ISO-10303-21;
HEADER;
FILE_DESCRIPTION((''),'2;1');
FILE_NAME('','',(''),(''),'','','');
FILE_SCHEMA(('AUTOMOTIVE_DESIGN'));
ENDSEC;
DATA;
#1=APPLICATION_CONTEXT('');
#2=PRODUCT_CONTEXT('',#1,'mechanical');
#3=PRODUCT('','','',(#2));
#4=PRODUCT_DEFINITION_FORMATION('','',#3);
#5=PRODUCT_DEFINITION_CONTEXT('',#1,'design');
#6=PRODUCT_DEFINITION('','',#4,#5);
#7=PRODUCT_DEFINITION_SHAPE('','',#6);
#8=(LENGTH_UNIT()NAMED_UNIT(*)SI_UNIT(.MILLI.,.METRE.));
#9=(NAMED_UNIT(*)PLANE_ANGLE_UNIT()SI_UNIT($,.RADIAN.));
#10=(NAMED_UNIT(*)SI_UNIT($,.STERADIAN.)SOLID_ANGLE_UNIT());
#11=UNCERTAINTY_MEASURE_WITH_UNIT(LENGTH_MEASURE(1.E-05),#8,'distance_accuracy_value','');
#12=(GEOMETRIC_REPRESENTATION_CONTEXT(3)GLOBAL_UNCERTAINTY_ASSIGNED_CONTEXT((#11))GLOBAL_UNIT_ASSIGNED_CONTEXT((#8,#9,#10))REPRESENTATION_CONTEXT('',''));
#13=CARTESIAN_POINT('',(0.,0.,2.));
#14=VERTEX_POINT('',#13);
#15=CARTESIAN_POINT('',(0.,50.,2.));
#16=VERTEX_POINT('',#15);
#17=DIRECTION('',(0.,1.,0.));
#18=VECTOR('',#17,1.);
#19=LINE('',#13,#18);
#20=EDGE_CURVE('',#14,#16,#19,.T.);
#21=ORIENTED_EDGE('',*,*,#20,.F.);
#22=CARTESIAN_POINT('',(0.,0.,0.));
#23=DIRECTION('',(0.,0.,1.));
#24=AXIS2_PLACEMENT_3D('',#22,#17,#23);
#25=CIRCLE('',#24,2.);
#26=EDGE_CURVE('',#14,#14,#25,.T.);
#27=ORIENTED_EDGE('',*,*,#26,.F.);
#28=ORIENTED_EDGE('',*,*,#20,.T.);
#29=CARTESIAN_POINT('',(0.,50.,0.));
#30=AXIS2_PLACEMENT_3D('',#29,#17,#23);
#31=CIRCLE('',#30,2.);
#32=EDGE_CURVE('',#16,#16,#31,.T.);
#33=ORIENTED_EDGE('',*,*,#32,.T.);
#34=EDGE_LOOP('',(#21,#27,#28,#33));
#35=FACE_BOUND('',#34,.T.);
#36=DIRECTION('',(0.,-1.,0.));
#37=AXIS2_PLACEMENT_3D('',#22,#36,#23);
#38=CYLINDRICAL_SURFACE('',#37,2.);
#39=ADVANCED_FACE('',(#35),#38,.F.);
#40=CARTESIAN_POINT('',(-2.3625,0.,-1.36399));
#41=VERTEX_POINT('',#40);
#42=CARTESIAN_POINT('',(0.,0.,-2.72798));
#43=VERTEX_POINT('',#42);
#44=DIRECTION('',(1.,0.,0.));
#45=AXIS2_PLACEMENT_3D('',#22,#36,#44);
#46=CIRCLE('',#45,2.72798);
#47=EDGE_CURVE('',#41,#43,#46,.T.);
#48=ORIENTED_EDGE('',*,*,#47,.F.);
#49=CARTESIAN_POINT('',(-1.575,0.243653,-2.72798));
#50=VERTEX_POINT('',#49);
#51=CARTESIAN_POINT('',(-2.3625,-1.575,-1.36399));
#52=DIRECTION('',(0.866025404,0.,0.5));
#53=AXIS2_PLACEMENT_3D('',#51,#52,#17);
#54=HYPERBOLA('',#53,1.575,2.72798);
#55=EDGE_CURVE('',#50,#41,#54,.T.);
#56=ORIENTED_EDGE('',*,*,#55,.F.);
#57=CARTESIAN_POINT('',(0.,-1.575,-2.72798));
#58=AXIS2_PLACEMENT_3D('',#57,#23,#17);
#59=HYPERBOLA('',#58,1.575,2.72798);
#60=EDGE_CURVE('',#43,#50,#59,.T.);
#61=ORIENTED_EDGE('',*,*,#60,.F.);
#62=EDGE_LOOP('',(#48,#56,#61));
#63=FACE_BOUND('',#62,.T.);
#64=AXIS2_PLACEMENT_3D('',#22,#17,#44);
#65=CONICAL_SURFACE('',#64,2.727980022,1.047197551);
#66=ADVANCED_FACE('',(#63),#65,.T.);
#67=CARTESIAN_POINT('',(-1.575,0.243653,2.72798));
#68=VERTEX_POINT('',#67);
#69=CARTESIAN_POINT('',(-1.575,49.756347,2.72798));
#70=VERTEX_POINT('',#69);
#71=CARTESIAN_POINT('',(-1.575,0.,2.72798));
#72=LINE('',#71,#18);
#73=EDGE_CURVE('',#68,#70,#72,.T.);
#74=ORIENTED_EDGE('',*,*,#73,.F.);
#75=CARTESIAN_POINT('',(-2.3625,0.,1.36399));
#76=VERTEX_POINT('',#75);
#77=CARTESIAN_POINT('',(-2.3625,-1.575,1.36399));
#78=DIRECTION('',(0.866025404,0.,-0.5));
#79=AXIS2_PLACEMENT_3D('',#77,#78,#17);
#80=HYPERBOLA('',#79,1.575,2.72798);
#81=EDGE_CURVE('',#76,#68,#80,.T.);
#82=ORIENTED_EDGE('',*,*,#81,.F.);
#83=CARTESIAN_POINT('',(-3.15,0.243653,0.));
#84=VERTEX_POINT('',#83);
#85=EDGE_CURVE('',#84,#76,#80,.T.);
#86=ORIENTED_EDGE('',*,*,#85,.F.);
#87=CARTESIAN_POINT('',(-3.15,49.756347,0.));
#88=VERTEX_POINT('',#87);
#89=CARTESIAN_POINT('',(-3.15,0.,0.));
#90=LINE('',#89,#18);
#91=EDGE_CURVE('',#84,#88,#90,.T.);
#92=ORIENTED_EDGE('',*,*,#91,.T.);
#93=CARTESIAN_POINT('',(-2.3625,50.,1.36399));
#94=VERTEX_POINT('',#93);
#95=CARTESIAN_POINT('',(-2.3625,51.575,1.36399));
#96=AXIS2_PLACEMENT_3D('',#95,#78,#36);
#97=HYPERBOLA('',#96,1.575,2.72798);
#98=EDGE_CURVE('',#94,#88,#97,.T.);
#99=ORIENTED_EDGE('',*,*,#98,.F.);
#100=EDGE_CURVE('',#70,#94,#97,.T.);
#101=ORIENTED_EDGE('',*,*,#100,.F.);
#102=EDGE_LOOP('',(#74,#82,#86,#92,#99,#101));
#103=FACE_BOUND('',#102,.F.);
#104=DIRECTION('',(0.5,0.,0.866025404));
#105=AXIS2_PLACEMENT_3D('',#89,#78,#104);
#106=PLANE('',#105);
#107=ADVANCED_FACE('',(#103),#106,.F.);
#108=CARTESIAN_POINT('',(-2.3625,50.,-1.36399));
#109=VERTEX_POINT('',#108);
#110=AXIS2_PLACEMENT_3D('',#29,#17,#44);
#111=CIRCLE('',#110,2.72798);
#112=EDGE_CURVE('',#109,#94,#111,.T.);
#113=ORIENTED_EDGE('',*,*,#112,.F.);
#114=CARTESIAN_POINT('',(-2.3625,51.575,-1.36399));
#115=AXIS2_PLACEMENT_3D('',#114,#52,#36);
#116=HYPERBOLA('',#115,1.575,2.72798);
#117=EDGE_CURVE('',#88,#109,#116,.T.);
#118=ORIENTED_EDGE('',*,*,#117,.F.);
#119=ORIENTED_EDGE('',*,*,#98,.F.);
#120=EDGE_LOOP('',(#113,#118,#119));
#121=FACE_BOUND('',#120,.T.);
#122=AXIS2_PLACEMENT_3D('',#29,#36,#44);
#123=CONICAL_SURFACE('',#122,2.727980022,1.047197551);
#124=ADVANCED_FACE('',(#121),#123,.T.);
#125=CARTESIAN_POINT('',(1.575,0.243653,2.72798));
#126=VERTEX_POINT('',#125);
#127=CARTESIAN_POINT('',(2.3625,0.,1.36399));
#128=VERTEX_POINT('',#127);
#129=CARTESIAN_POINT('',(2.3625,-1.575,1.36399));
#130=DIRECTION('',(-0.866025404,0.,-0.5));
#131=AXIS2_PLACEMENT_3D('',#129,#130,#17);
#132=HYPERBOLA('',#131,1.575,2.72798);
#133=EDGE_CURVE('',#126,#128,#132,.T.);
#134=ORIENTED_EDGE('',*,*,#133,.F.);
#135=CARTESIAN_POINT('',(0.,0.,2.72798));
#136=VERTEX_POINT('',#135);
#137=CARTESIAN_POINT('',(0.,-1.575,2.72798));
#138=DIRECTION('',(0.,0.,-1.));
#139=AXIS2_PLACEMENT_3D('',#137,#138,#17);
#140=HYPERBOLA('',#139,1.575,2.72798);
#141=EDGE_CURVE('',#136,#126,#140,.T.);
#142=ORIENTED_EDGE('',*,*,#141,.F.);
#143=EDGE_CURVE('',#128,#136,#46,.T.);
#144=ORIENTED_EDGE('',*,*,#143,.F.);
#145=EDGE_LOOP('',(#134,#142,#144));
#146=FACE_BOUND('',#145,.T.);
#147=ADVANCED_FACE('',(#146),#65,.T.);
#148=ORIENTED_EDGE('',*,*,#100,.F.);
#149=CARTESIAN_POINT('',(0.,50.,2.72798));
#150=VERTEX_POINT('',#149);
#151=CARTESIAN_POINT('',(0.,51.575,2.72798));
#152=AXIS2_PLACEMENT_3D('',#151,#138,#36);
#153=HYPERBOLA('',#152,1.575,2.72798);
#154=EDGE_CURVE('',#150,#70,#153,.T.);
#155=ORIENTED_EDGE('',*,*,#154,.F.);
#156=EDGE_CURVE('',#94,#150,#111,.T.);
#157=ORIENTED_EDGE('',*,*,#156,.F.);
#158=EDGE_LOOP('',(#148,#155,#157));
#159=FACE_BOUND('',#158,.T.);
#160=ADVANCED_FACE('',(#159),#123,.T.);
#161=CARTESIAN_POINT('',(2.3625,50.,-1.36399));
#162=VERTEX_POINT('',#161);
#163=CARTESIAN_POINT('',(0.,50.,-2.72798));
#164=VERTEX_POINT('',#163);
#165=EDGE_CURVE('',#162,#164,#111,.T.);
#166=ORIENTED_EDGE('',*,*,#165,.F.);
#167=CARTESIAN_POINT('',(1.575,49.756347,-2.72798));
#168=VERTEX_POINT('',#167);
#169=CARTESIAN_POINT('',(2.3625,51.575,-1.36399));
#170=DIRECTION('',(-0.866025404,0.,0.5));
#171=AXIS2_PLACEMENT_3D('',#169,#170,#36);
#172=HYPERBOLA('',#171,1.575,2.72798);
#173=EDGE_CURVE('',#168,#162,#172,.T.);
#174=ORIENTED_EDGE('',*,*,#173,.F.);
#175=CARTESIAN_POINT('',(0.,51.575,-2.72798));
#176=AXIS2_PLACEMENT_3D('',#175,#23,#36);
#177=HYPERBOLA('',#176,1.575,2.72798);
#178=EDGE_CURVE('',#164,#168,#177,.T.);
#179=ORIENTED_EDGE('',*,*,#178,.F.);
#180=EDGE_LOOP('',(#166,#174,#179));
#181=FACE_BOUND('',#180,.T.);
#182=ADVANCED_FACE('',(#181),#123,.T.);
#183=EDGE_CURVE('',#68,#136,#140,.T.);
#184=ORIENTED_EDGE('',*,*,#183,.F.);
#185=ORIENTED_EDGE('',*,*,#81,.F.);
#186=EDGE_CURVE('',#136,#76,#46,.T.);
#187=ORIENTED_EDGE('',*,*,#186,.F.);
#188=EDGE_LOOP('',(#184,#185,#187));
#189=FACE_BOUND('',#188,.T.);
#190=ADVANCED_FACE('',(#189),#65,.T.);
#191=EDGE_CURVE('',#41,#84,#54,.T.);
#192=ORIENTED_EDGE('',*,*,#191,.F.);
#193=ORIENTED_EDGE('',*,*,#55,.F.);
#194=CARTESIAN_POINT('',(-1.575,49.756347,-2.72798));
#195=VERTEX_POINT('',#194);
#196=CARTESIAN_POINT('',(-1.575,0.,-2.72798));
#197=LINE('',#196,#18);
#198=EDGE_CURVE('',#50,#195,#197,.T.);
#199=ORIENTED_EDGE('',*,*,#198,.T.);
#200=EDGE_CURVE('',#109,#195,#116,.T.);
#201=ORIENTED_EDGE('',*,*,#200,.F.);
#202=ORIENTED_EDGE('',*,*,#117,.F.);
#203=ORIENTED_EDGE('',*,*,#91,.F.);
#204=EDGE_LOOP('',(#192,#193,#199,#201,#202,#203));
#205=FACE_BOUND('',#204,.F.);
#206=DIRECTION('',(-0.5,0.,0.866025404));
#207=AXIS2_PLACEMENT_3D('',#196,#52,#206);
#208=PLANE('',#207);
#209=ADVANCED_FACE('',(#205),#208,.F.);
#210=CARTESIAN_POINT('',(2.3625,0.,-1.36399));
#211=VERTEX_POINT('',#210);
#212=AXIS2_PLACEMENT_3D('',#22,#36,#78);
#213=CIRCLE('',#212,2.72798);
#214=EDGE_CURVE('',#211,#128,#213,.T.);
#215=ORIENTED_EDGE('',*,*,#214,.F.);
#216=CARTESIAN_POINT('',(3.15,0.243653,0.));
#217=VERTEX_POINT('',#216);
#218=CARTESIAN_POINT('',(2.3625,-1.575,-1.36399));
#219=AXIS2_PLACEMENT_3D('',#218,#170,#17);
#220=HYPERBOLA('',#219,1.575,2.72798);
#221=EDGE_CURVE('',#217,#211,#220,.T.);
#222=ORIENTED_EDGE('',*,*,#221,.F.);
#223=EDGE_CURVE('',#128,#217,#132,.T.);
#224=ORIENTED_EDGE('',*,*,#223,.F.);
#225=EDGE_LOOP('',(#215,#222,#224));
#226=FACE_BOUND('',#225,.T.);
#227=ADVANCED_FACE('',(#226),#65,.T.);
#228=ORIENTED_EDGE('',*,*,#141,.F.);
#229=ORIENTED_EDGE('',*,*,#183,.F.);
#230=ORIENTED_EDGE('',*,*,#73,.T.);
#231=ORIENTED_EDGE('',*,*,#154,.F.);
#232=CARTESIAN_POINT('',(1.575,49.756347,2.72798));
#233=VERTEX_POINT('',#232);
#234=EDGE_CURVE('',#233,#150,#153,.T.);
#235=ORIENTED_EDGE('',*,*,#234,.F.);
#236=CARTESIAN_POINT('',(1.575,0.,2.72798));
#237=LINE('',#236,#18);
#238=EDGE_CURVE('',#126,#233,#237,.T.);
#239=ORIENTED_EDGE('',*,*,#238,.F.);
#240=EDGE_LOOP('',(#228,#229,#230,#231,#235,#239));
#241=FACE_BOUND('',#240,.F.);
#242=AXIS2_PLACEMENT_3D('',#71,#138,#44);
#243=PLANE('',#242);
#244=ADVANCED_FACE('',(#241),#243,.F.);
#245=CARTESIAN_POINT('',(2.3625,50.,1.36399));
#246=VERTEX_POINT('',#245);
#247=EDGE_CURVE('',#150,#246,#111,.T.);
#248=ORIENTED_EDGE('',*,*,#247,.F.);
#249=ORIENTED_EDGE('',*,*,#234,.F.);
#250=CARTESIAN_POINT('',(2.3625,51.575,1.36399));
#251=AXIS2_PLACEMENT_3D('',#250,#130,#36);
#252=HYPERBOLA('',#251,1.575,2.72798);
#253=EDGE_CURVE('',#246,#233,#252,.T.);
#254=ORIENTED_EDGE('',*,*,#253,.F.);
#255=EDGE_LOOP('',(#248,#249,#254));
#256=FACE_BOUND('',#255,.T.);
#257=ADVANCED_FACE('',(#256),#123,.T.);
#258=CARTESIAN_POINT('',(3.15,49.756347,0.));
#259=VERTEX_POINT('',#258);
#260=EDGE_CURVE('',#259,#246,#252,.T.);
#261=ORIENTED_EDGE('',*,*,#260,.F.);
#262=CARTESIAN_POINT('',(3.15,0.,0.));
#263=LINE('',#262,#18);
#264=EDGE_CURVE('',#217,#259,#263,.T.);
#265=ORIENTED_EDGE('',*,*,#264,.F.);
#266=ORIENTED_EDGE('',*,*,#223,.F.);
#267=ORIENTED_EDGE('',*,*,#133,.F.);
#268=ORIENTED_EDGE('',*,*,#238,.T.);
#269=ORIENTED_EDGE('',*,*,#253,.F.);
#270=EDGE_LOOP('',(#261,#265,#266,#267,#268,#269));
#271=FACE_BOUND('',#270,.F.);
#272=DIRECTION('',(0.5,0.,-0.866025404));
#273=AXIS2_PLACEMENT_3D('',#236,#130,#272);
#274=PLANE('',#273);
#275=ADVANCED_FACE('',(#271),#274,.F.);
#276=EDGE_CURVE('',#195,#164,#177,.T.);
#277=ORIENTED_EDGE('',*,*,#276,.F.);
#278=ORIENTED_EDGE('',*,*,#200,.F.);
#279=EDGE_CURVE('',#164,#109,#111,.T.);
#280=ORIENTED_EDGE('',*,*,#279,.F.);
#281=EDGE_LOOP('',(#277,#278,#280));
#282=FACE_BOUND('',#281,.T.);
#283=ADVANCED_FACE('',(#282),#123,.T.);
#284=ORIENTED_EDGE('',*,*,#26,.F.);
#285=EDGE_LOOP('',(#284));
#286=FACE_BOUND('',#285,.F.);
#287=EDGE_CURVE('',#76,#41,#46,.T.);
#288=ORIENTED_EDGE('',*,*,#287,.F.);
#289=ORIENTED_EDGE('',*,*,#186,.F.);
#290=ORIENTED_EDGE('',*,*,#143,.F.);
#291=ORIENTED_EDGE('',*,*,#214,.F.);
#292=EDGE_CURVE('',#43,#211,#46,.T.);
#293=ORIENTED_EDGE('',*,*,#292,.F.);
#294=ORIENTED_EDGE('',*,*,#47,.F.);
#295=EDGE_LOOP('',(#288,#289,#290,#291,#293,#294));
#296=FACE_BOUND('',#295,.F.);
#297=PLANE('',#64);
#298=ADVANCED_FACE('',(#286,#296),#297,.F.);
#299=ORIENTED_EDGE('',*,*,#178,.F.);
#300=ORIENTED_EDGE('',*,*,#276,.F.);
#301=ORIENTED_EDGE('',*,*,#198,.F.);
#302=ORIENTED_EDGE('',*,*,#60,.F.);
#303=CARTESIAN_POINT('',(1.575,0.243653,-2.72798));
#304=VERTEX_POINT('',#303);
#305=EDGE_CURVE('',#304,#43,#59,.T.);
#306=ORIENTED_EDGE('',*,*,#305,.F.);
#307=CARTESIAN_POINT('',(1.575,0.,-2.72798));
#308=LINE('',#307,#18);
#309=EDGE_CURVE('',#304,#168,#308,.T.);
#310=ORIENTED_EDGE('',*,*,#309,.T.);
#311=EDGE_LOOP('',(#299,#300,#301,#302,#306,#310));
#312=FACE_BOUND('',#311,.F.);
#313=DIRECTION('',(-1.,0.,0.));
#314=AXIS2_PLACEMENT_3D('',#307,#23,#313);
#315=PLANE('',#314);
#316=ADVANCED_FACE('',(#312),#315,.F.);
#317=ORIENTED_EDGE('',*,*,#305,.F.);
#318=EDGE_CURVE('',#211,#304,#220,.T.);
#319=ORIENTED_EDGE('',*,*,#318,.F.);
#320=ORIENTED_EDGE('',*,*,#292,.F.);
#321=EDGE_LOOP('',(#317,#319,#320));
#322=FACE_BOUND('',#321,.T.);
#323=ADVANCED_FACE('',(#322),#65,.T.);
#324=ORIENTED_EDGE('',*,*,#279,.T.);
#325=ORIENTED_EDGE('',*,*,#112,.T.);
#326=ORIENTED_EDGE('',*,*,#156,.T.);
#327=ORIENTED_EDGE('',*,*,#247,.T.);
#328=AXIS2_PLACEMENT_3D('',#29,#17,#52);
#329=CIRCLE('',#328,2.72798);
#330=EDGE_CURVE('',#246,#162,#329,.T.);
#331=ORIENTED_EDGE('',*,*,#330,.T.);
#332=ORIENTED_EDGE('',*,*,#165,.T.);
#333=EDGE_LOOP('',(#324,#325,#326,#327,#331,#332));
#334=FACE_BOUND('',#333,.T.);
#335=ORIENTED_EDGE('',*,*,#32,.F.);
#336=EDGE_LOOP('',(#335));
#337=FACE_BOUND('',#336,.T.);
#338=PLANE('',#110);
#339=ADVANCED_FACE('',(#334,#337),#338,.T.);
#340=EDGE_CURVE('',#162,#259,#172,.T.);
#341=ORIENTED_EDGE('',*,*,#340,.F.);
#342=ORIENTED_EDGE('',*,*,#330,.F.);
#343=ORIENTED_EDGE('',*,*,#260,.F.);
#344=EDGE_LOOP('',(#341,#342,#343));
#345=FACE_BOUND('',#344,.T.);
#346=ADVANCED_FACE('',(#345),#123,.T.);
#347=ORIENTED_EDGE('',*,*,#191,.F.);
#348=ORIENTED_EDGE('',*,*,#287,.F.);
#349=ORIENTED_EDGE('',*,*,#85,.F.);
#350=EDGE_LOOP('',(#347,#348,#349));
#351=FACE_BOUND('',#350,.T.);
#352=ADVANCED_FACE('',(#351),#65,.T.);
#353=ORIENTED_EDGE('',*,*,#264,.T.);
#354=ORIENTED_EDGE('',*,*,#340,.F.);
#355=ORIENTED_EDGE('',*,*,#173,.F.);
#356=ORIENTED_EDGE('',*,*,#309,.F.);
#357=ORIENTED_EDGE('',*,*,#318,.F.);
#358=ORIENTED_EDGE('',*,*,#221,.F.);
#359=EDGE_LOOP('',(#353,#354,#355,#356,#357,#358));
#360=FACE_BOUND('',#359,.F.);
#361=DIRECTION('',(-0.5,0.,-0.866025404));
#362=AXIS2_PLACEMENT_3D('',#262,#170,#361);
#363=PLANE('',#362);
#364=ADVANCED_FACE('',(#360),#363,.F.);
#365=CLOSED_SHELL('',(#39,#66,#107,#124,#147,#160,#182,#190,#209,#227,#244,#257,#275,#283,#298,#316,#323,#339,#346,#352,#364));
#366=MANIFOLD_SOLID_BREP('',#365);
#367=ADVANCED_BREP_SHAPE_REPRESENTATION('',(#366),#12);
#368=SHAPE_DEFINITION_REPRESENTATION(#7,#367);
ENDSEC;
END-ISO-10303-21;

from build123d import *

# Parameters (mm, degrees)
SKETCH_1_R          = 2
EXTRUDE_1_DEPTH     = 50
SKETCH_2_OUTSIDE_W  = 195.708
SKETCH_2_OUTSIDE_H  = 194.864
SKETCH_2_OUTSIDE_R  = 2.727980022
CUT_EXTRUDE_1_DEPTH = 51.173343271
CUT_EXTRUDE_1_DRAFT = -60
SKETCH_3_OUTSIDE_W  = 195.708
SKETCH_3_OUTSIDE_H  = 194.864
SKETCH_3_OUTSIDE_R  = 2.727980022
CUT_EXTRUDE_2_DEPTH = 51.173343271
CUT_EXTRUDE_2_DRAFT = -60


with BuildPart() as part:
    # 草图1 → 凸台-拉伸1 (new body)
    with BuildSketch(Plane(origin=(0, 0, 0), x_dir=(1, 0, 0), z_dir=(0, 1, 0))):
        Polygon((1.575, 2.727980022), (-1.575, 2.727980022), (-3.15, 0), (-1.575, -2.727980022), (1.575, -2.727980022), (3.15, 0), align=None)
        Circle(SKETCH_1_R, mode=Mode.SUBTRACT)
    extrude(amount=EXTRUDE_1_DEPTH)


with BuildPart() as cut_extrude_1_tool:
    # 草图2 outside → 切除-拉伸1 (with draft: the straight prism first)
    with BuildSketch(Plane.XZ):
        Rectangle(SKETCH_2_OUTSIDE_W, SKETCH_2_OUTSIDE_H)
        Circle(SKETCH_2_OUTSIDE_R, mode=Mode.SUBTRACT)
    extrude(amount=-CUT_EXTRUDE_1_DEPTH)
    # 切除-拉伸1: the draft: its side faces are tilted about the plane it starts from
    cut_extrude_1_sides = [cut_extrude_1_tool.faces().sort_by_distance(p)[0] for p in [
        (0, 25.586671636, -97.432),
        (97.854, 25.586671636, 0),
        (0, 25.586671636, 97.432),
        (-97.854, 25.586671636, 0),
        (-2.727980022, 25.586671636, 0),
    ]]
    draft(cut_extrude_1_sides, Plane.XZ, CUT_EXTRUDE_1_DRAFT)


with BuildPart() as part_1:
    add(part.part)

    # 切除-拉伸1: cut by cut_extrude_1_tool
    add(cut_extrude_1_tool.part, mode=Mode.SUBTRACT)


with BuildPart() as cut_extrude_2_tool:
    # 草图3 outside → 切除-拉伸2 (with draft: the straight prism first)
    with BuildSketch(Plane(origin=(0, 50, 0), x_dir=(1, 0, 0), z_dir=(0, 1, 0))):
        Rectangle(SKETCH_3_OUTSIDE_W, SKETCH_3_OUTSIDE_H)
        Circle(SKETCH_3_OUTSIDE_R, mode=Mode.SUBTRACT)
    extrude(amount=-CUT_EXTRUDE_2_DEPTH)
    # 切除-拉伸2: the draft: its side faces are tilted about the plane it starts from
    cut_extrude_2_sides = [cut_extrude_2_tool.faces().sort_by_distance(p)[0] for p in [
        (0, 24.413328364, 97.432),
        (97.854, 24.413328364, 0),
        (0, 24.413328364, -97.432),
        (-97.854, 24.413328364, 0),
        (-2.727980022, 24.413328364, 0),
    ]]
    draft(cut_extrude_2_sides, Plane(origin=(0, 50, 0), x_dir=(1, 0, 0), z_dir=(0, 1, 0)), CUT_EXTRUDE_2_DRAFT)


with BuildPart() as part_2:
    add(part_1.part)

    # 切除-拉伸2: cut by cut_extrude_2_tool
    add(cut_extrude_2_tool.part, mode=Mode.SUBTRACT)


solid = part_2.part
